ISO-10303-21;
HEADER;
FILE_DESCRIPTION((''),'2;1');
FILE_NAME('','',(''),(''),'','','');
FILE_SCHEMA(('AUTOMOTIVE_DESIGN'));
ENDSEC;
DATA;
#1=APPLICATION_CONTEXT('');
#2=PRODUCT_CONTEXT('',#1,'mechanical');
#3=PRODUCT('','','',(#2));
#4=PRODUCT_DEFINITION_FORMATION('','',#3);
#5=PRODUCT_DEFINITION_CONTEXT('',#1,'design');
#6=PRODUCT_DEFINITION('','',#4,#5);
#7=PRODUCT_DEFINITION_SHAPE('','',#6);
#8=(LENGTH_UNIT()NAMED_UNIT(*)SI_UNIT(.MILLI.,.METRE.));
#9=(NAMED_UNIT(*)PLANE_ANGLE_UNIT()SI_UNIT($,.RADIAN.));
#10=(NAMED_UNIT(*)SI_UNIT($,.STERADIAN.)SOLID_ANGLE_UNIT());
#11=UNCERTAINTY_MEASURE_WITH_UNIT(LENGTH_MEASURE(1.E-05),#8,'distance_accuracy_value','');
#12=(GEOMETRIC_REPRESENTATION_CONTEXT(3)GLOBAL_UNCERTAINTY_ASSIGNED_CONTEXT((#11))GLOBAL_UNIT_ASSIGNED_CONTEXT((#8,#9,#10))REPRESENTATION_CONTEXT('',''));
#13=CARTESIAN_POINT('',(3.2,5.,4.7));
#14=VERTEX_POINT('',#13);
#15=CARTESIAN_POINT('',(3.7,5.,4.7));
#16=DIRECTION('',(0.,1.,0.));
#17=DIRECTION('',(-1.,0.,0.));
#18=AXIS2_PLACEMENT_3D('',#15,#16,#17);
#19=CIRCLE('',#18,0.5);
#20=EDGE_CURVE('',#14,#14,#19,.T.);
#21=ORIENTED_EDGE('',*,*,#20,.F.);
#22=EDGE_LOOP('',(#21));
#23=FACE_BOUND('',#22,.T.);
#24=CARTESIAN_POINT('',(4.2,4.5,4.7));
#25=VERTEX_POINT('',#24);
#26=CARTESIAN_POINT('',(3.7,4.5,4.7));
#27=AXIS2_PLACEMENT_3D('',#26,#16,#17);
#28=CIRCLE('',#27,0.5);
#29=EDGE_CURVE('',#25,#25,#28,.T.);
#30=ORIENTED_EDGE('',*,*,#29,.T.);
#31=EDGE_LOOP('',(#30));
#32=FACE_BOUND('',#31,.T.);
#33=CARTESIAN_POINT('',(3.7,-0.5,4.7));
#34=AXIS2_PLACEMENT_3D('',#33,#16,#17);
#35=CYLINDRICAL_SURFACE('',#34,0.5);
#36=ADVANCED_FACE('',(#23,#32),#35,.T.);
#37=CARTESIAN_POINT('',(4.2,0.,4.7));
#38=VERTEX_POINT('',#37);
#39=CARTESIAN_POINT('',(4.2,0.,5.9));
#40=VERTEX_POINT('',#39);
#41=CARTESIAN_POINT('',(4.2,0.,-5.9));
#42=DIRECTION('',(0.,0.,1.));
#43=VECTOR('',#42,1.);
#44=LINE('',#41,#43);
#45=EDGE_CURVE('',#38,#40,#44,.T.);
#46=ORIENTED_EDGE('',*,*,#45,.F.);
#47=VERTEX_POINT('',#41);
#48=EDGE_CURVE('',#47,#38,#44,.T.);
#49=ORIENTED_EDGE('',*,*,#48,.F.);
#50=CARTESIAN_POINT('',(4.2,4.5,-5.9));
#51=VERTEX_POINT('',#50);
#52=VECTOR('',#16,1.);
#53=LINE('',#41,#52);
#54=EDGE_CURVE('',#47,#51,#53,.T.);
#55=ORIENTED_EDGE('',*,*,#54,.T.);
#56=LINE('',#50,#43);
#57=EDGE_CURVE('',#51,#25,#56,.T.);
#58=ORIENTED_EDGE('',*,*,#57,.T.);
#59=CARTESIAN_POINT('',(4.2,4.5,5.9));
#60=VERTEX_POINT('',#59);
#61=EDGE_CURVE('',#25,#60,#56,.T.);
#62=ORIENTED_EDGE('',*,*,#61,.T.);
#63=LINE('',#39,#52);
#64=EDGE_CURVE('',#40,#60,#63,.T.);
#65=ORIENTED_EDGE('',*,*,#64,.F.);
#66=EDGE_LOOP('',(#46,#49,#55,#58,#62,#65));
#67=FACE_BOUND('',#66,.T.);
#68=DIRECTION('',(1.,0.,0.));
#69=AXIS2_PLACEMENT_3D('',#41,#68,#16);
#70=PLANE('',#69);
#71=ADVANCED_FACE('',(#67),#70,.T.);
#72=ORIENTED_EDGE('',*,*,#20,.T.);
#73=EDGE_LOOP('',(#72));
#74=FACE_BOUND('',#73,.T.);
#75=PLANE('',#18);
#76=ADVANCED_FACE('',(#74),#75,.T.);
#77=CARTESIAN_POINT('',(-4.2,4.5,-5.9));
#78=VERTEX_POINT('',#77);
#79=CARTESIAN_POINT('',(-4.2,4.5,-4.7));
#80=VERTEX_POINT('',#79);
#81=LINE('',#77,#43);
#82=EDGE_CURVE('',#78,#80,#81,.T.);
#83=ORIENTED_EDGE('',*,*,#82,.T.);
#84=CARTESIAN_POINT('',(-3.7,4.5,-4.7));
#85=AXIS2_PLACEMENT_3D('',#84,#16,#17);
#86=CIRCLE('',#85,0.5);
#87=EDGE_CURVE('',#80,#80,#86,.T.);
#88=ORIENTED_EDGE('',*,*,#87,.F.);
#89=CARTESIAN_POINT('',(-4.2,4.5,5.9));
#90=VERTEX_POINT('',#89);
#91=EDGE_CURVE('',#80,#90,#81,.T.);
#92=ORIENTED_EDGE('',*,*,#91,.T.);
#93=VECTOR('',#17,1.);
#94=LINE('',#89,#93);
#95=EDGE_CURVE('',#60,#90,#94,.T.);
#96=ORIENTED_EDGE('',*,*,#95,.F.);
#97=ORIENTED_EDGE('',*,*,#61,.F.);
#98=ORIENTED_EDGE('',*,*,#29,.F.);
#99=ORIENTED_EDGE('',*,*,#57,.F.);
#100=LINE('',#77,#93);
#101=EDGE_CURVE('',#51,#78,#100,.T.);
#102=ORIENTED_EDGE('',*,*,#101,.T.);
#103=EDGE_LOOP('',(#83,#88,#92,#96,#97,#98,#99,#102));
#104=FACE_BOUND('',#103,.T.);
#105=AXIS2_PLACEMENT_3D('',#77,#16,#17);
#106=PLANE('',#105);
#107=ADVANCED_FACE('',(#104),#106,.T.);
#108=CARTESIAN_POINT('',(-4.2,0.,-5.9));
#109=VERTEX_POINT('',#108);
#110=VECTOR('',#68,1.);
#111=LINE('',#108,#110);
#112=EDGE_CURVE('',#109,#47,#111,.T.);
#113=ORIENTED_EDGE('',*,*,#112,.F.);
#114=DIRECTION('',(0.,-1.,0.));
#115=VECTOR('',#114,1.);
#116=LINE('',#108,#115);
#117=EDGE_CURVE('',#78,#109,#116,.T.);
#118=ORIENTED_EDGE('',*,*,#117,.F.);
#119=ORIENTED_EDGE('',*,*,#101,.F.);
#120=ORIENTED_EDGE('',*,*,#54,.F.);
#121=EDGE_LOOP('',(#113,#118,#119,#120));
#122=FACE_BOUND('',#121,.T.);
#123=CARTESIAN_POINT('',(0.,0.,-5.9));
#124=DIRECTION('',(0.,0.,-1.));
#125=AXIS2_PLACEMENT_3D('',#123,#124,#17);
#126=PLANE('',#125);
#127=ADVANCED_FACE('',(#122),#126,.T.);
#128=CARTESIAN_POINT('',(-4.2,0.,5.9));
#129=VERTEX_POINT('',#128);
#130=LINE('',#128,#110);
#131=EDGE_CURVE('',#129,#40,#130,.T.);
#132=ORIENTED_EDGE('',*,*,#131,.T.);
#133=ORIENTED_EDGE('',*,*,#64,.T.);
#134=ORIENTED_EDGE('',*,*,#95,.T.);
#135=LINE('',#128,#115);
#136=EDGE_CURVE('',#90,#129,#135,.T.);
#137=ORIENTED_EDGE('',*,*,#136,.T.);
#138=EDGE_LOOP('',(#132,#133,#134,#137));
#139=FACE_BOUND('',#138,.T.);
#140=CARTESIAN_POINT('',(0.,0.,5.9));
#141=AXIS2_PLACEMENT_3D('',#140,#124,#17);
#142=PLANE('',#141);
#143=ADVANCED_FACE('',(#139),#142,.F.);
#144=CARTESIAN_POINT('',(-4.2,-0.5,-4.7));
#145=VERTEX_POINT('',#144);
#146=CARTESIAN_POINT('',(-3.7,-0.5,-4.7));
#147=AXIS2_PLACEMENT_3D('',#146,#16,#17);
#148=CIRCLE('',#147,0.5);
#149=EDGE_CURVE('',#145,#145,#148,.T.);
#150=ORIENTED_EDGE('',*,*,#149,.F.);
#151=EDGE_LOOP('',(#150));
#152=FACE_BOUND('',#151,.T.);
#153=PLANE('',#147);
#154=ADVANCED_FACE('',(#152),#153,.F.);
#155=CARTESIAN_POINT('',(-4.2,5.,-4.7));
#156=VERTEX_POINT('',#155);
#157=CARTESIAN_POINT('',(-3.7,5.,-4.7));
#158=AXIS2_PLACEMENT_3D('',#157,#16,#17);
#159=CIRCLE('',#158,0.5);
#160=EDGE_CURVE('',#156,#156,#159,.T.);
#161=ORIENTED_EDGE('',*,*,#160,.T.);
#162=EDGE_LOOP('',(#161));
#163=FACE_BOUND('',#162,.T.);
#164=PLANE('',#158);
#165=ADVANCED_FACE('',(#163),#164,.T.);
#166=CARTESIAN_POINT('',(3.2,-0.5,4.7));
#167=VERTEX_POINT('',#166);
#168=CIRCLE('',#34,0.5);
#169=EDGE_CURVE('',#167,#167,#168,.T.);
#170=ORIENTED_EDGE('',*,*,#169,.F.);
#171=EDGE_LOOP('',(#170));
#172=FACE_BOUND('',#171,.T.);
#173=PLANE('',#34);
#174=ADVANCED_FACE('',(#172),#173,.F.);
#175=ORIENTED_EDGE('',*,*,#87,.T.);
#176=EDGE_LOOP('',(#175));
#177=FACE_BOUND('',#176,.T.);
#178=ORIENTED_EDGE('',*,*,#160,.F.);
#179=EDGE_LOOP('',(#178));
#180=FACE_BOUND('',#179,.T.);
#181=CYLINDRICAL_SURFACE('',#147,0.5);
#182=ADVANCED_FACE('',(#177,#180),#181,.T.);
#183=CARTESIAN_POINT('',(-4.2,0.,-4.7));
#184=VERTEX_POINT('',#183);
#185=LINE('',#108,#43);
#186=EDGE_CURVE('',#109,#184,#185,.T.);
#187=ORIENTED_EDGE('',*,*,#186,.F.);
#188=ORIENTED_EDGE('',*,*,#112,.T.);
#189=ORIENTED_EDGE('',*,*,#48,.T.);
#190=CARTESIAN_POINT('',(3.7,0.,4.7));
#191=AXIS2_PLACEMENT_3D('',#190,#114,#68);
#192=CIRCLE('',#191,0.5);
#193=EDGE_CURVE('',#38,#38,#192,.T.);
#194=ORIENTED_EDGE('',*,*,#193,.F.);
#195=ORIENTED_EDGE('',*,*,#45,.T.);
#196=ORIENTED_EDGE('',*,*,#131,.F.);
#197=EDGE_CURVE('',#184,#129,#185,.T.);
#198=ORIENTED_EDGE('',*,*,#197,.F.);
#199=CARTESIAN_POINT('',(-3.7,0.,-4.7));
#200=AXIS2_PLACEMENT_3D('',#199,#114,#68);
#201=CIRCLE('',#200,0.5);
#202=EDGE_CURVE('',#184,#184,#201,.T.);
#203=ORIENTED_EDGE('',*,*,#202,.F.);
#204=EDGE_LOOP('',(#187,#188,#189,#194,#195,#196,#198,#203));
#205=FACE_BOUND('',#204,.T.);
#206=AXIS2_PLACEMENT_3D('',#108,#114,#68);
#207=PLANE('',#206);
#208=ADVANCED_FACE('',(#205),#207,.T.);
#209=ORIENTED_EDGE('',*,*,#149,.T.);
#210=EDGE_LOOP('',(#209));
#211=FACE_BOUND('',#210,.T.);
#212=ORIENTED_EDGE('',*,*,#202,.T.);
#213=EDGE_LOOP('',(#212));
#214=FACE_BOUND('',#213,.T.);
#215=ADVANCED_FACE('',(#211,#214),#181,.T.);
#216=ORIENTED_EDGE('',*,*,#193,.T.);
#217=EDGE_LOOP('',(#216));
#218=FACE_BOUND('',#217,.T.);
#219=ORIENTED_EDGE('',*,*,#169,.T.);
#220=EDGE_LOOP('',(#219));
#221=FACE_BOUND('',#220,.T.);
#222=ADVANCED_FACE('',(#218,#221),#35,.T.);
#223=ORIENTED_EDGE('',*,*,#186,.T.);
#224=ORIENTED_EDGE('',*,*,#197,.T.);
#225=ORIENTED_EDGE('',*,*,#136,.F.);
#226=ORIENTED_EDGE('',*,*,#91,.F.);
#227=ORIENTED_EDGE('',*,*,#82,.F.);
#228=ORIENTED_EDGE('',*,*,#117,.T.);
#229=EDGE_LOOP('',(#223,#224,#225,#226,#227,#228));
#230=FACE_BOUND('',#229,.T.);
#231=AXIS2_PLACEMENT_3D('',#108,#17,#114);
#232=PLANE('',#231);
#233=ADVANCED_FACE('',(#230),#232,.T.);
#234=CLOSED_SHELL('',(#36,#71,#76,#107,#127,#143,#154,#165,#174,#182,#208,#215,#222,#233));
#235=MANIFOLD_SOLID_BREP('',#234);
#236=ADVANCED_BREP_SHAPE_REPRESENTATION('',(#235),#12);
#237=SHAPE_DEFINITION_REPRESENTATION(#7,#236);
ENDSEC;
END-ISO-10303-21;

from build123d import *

# Parameters (mm, degrees)
ESQUISSE1_W             = 8.4
ESQUISSE1_H             = 4.5
BOSS_EXTRU_1_DEPTH      = 5.9
BOSS_EXTRU_1_DEPTH_BACK = 5.9
ESQUISSE2_R             = 0.5
BOSS_EXTRU_2_DEPTH      = 0.5
BOSS_EXTRU_2_DEPTH_BACK = 5


with BuildPart() as part:
    # Esquisse1 → Boss.-Extru.1 (new body, two sides)
    with BuildSketch(Plane.XY) as boss_extru_1_sk:
        with Locations((0, 2.25)):
            Rectangle(ESQUISSE1_W, ESQUISSE1_H)
    extrude(amount=BOSS_EXTRU_1_DEPTH)
    extrude(boss_extru_1_sk.sketch, amount=-BOSS_EXTRU_1_DEPTH_BACK)

    # Esquisse2 → Boss.-Extru.2 (add, two sides)
    with BuildSketch(Plane(origin=(0, 4.5, 0), x_dir=(1, 0, 0), z_dir=(0, 1, 0))) as boss_extru_2_sk:
        with Locations(Location((-3.7, 4.7, 0), (0, 0, 180))):  # turned: the seam where the file's is
            Circle(ESQUISSE2_R)
        with Locations(Location((3.7, -4.7, 0), (0, 0, 180))):  # turned: the seam where the file's is
            Circle(ESQUISSE2_R)
    extrude(amount=BOSS_EXTRU_2_DEPTH)
    extrude(boss_extru_2_sk.sketch, amount=-BOSS_EXTRU_2_DEPTH_BACK)


solid = part.part
